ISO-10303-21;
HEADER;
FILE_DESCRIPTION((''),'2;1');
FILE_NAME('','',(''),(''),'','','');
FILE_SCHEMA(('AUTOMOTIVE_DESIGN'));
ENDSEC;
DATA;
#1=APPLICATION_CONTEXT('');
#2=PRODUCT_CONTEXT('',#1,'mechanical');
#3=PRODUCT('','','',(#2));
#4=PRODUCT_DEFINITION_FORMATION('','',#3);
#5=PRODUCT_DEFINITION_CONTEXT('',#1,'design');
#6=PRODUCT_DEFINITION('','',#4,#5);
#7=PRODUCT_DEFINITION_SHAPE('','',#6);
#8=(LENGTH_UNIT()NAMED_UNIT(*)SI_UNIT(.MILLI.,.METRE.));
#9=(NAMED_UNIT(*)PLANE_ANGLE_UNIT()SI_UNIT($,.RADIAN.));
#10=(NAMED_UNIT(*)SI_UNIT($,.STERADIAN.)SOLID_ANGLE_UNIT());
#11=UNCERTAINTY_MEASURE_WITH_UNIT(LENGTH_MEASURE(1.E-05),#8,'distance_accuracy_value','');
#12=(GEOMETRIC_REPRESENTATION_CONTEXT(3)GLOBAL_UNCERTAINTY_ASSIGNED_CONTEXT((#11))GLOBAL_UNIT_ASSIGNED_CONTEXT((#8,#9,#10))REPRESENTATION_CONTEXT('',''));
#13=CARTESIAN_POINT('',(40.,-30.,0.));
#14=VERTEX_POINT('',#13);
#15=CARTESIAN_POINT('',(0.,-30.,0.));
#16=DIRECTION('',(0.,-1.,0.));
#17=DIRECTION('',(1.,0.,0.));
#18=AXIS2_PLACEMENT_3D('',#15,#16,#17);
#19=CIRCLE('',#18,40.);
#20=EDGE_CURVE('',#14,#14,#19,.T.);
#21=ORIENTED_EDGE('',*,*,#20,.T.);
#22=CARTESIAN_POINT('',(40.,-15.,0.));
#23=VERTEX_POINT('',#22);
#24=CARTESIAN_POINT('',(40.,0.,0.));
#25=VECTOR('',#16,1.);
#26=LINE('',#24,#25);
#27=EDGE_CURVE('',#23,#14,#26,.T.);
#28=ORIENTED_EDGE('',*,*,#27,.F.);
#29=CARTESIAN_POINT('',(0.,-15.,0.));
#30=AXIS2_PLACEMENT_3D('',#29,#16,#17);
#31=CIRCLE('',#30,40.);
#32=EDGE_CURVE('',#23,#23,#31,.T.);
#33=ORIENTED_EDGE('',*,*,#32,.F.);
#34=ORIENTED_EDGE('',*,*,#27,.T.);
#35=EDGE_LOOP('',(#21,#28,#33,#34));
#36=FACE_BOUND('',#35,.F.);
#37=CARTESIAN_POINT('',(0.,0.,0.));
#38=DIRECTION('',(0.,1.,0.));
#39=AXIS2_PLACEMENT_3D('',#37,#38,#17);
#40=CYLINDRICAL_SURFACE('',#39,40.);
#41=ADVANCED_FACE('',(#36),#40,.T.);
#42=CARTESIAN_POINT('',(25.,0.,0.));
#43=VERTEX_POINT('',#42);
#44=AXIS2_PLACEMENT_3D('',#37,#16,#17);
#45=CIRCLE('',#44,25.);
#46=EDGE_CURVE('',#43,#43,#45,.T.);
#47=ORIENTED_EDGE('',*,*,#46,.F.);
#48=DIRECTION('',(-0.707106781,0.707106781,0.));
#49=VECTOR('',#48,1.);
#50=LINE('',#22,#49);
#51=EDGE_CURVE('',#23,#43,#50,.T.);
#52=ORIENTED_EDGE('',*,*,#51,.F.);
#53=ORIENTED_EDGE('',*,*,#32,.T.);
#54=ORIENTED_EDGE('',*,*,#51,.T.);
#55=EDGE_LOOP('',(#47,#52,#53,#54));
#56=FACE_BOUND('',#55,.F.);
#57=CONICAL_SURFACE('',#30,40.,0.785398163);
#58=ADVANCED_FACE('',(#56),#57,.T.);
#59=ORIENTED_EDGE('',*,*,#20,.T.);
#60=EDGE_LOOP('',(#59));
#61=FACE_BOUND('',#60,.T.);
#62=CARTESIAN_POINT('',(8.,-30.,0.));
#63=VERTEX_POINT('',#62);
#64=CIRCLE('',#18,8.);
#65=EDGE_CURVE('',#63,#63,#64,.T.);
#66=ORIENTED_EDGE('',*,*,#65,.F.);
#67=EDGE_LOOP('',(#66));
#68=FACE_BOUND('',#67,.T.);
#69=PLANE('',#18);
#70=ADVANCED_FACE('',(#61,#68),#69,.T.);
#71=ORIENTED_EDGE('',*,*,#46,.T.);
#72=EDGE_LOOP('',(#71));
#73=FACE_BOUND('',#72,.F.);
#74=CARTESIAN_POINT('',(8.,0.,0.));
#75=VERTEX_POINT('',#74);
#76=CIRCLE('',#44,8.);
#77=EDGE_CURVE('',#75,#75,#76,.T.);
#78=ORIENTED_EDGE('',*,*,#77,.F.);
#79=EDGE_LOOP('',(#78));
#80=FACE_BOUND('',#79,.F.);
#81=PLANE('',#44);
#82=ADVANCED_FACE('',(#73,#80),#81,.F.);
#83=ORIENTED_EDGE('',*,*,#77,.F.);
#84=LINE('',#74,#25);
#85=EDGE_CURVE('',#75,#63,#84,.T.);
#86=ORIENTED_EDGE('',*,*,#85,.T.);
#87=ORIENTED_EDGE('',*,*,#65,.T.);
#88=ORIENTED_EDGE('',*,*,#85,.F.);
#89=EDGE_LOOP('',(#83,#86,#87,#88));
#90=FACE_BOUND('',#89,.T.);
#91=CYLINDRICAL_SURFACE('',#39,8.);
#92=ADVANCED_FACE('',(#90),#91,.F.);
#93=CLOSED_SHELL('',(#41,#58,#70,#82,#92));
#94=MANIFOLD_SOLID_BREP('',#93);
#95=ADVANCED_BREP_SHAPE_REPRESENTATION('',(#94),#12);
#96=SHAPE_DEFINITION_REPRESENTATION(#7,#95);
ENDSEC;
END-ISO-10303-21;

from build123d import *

# Parameters (mm, degrees)
F0_R     = 40
F0_R_2   = 25
F1_DEPTH = 30
F0_R_3   = 8
F2_DEPTH = 30
F3_SIZE  = 15


with BuildPart() as f1:
    # F0 (on Front) → F1 (new body)
    with BuildSketch(Plane.XZ):
        Circle(F0_R)
        Circle(F0_R_2, mode=Mode.SUBTRACT)
    extrude(amount=F1_DEPTH)

    # F0 (on Front) → F2 (join)
    with BuildSketch(Plane.XZ):
        Circle(F0_R)
        Circle(F0_R_2, mode=Mode.SUBTRACT)
        Circle(F0_R_2)
        Circle(F0_R_3, mode=Mode.SUBTRACT)
    extrude(amount=F2_DEPTH)

    # F3
    f3_edges = [f1.edges().sort_by_distance(p)[0] for p in [
        (-40, 0, 0),
    ]]
    chamfer(f3_edges, length=F3_SIZE)


solid = f1.part
